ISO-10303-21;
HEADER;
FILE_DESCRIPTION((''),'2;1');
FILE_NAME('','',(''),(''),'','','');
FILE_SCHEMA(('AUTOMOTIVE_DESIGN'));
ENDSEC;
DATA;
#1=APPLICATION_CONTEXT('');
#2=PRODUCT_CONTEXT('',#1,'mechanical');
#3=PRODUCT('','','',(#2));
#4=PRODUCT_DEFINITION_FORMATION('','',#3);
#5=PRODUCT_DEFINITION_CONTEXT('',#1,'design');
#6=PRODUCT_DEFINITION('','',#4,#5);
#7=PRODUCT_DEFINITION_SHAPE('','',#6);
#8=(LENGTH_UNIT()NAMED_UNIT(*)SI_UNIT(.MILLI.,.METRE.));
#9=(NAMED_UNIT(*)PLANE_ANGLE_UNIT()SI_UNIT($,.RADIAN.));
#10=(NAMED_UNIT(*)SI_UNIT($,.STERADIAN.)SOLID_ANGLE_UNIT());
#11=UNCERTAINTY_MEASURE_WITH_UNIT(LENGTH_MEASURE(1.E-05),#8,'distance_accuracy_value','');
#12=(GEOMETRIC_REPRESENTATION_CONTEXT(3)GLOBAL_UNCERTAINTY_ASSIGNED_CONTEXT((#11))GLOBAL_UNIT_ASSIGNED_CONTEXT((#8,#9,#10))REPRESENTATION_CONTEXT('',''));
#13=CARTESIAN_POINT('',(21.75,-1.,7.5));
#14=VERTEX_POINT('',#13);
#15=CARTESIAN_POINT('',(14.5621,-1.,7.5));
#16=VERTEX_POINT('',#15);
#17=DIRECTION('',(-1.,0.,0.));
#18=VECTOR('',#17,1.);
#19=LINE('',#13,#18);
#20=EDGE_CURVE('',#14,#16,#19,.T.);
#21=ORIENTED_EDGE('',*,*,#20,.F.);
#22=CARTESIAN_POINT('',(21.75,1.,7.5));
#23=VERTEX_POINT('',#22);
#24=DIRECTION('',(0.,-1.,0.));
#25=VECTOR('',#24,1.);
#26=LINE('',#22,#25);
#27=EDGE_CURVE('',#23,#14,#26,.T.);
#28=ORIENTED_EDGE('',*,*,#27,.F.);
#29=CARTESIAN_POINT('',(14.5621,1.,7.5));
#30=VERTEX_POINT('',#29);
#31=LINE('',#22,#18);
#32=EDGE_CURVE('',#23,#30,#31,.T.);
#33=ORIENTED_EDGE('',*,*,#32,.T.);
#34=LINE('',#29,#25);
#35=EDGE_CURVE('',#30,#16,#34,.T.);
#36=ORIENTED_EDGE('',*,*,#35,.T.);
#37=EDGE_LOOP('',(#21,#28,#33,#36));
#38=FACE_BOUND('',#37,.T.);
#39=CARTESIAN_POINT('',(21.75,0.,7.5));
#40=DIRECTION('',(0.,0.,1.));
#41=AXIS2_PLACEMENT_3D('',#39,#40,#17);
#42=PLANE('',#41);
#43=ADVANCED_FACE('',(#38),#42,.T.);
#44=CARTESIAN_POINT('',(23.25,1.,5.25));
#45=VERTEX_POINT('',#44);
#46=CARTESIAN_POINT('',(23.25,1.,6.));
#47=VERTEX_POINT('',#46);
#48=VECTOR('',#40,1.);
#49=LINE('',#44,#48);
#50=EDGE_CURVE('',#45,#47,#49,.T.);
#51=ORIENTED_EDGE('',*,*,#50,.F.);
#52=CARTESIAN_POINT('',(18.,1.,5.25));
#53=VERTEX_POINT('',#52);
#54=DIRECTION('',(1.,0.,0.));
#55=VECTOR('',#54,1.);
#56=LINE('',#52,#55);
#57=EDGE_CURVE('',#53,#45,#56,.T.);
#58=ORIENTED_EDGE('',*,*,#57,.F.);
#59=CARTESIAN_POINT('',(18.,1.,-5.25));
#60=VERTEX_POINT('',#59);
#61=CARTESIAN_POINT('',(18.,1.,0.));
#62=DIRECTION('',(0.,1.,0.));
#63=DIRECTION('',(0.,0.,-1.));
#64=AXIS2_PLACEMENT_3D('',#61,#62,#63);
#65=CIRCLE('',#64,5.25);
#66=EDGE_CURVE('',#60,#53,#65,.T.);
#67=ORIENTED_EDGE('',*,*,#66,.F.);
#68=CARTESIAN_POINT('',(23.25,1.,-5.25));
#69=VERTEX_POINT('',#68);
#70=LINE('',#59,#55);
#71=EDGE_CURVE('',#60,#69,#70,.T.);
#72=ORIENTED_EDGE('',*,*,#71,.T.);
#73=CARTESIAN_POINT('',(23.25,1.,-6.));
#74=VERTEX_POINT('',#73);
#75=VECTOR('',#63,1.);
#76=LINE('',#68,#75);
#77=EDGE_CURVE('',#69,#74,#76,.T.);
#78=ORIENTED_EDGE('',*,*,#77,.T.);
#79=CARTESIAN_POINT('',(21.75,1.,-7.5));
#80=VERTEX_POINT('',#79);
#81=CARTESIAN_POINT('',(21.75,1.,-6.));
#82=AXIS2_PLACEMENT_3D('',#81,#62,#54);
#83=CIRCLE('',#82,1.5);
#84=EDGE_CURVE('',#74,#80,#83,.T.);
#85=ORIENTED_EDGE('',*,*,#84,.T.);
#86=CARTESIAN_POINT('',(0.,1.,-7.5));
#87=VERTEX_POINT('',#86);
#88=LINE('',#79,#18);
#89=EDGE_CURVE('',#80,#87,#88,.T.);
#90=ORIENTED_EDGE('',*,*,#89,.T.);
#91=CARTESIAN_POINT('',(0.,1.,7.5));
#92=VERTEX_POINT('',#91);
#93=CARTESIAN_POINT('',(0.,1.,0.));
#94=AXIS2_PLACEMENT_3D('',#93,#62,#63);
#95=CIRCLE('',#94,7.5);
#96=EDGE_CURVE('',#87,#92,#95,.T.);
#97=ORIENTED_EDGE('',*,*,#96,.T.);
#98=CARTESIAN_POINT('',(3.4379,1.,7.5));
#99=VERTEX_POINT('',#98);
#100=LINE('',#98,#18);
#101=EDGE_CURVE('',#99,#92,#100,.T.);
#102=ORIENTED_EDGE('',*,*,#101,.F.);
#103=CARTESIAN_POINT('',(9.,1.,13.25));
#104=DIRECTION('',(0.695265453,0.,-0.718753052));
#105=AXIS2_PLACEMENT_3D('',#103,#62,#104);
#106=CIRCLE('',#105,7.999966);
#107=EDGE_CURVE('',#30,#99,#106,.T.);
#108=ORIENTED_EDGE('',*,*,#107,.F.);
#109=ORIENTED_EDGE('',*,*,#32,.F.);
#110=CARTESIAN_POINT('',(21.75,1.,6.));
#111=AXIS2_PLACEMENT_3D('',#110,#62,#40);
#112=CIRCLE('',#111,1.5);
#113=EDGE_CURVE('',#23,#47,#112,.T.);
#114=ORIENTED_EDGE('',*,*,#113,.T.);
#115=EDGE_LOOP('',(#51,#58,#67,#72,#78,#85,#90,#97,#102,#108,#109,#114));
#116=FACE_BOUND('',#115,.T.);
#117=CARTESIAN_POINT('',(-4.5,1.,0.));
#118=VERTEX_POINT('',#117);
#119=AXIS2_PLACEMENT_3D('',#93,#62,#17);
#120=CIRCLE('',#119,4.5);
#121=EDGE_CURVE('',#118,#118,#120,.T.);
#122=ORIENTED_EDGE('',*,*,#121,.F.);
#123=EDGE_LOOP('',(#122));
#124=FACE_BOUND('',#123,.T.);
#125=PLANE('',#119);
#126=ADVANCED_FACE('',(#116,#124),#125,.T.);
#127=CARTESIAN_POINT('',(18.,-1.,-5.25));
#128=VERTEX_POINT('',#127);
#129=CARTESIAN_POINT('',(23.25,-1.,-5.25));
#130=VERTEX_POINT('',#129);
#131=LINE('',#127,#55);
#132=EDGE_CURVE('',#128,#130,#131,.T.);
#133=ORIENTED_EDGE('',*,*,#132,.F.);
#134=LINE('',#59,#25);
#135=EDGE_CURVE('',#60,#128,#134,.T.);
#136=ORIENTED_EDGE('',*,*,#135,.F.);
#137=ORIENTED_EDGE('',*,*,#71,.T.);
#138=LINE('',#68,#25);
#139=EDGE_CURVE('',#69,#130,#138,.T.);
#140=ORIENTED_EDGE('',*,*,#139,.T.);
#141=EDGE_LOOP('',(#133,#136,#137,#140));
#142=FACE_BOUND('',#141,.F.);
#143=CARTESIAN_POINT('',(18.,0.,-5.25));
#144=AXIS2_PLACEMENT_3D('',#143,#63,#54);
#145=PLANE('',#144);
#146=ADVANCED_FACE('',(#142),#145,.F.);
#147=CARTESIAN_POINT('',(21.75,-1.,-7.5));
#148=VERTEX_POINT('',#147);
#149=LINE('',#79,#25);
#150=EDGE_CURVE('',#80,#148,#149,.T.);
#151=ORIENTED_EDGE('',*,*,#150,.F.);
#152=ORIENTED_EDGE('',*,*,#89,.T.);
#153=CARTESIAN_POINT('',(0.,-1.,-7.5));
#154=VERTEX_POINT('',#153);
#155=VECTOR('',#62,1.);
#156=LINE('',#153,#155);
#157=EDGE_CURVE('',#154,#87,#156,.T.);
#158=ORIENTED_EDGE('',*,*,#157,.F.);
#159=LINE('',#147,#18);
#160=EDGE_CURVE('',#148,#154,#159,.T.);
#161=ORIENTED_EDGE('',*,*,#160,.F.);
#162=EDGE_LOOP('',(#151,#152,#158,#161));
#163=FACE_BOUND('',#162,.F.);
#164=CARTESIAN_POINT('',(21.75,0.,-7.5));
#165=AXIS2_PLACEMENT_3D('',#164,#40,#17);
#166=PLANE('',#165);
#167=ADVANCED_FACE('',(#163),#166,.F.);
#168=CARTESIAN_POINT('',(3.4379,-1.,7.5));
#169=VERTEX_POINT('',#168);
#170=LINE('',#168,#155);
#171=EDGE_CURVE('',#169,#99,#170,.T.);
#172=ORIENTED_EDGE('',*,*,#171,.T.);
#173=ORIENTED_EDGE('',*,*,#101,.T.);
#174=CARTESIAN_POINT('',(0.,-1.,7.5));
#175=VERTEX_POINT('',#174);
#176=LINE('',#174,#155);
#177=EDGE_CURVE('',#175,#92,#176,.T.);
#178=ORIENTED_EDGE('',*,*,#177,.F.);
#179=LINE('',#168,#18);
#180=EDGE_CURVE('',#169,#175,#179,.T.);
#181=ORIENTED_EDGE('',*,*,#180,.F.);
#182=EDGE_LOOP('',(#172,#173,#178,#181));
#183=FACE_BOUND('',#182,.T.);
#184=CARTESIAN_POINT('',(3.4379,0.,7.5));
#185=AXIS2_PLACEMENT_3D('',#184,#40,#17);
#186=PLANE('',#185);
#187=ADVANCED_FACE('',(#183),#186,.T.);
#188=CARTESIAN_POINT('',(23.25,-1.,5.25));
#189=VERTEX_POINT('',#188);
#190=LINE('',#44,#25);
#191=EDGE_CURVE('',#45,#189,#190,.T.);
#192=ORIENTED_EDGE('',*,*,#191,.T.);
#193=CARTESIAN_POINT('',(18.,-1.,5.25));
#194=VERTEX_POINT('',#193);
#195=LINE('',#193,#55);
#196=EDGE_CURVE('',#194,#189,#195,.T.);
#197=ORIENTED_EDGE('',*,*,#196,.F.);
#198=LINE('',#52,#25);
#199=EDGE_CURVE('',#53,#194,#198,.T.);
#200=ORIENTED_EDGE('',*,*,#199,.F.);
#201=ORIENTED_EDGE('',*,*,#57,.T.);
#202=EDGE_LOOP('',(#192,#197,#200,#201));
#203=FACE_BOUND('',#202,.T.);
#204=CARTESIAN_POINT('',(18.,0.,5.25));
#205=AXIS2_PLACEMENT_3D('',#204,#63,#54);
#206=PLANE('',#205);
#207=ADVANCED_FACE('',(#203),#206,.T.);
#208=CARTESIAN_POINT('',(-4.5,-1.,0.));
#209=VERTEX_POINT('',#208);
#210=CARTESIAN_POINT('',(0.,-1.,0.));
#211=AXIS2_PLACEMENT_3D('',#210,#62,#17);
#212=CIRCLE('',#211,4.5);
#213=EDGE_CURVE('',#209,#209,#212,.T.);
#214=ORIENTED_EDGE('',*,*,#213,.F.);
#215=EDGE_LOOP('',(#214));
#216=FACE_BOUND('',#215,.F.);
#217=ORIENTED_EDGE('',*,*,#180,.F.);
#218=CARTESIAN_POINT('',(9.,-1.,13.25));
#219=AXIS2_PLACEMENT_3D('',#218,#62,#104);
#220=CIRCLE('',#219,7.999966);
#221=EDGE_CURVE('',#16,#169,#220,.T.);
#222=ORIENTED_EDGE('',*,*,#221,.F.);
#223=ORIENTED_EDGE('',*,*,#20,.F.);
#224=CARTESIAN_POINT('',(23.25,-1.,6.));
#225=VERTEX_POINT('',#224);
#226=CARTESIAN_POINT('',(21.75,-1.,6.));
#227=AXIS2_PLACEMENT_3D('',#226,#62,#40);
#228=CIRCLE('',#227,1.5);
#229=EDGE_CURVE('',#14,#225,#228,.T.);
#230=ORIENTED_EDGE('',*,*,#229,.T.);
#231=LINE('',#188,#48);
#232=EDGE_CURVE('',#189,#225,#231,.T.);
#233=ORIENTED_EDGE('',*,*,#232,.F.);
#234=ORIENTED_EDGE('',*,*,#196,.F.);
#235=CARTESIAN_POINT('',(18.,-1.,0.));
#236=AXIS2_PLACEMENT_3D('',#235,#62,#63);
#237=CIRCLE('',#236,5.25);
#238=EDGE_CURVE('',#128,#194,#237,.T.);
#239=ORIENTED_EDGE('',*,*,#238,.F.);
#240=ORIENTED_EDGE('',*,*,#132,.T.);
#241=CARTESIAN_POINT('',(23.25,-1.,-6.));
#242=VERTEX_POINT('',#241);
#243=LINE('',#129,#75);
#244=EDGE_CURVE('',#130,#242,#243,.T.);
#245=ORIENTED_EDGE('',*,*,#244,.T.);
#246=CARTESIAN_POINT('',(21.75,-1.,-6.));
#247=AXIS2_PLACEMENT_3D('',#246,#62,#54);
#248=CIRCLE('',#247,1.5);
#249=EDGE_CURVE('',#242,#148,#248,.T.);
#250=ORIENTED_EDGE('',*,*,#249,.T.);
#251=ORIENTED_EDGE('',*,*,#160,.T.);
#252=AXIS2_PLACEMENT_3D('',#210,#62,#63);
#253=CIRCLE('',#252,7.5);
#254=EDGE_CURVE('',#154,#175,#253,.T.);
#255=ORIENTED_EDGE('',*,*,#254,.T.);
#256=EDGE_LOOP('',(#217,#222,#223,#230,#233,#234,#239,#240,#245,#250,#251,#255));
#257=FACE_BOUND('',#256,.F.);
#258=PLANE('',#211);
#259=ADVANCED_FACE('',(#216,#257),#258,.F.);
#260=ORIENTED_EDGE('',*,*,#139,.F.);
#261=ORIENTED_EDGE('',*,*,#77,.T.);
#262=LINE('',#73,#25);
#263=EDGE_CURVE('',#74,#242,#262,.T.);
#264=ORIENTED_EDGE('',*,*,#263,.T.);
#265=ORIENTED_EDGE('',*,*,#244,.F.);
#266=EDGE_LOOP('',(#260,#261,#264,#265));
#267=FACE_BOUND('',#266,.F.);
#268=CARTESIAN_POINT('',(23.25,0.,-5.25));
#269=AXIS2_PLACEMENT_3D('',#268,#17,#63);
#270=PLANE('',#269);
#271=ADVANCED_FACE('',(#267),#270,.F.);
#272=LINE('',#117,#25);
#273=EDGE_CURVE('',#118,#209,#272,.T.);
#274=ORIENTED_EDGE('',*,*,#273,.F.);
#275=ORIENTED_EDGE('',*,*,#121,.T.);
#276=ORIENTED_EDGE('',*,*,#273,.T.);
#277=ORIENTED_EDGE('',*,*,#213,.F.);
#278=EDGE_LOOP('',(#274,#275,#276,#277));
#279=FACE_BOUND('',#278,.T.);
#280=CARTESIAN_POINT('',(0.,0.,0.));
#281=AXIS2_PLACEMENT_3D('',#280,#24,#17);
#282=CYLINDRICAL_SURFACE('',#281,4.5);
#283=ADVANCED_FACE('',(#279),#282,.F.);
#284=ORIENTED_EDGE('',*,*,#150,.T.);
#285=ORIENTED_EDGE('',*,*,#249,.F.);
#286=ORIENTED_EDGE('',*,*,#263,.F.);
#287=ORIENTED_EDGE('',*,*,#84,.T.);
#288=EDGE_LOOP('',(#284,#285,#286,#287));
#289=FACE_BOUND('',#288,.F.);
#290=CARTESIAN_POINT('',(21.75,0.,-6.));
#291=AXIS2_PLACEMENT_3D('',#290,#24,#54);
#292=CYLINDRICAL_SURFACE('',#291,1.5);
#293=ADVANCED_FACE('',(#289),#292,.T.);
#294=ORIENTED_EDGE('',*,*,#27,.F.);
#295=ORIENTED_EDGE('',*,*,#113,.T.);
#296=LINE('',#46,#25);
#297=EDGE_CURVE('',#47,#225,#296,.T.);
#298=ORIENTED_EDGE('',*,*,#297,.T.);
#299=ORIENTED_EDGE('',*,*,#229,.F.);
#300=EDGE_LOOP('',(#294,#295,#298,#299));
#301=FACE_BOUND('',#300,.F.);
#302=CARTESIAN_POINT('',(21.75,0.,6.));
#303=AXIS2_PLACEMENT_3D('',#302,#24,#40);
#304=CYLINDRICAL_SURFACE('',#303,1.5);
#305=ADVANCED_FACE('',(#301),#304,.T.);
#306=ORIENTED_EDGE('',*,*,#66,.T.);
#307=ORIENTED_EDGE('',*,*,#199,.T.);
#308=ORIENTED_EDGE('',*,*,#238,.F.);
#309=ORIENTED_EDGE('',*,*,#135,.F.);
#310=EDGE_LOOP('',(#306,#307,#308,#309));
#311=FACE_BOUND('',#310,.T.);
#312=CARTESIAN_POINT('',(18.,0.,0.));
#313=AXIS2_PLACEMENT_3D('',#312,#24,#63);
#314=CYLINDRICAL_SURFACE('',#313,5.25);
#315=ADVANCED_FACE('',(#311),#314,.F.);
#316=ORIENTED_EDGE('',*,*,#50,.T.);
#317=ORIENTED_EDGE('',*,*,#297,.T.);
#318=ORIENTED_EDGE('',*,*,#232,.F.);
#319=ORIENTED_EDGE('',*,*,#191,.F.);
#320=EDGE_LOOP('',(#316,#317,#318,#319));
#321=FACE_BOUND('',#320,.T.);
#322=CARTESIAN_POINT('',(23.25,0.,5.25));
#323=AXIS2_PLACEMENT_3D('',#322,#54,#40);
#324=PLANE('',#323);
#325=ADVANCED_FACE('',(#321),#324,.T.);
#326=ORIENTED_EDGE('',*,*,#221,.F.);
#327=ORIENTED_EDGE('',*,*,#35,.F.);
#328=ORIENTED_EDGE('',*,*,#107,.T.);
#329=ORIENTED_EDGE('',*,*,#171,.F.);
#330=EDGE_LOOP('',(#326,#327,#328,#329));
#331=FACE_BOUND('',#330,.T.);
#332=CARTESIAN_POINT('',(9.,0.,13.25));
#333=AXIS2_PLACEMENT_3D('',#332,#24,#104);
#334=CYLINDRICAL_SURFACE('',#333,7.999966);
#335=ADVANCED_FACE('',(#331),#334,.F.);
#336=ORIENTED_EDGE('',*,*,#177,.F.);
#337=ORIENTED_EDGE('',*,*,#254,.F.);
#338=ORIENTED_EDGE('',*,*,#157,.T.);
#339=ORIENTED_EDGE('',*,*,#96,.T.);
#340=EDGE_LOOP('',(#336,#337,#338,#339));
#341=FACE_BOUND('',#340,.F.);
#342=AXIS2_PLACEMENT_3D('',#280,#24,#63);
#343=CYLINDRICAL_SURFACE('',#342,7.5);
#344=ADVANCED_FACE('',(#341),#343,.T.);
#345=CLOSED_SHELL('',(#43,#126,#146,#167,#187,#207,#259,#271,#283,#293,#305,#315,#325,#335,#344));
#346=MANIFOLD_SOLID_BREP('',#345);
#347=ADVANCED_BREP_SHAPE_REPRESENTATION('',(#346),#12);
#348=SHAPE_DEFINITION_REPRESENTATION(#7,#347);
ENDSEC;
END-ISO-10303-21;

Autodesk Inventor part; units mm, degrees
ref_plane "YZ Plane" through (0, 0, 0) normal (1, 0, 0) x (0, 1, 0)
ref_plane "XZ Plane" through (0, 0, 0) normal (0, 1, 0) x (-1, 0, 0)
ref_plane "XY Plane" through (0, 0, 0) normal (0, 0, 1) x (1, 0, 0)
sketch "Skizze1" plane through (0, 0, 0) normal (0, 1, 0) x (-1, 0, 0)
  arc A0 (0, -7.5) -> (0, 7.5) centre (0, 0) ccw
  arc A1 (-18, -5.25) -> (-18, 5.25) centre (-18, 0) ccw
  line L0 (0, 7.5) -> (0, -7.5) construction
  line L1 (-18, 5.25) -> (-18, -5.25) construction
  line L2 (-18, 5.25) -> (-23.25, 5.25)
  line L3 (-18, -5.25) -> (-23.25, -5.25)
  line L4 (-23.25, 5.25) -> (-23.25, 6)
  line L5 (-23.25, -5.25) -> (-23.25, -6)
  line L6 (-21.75, -7.5) -> (0, -7.5)
  arc A2 (-21.75, 7.5) -> (-23.25, 6) centre (-21.75, 6) ccw
  arc A3 (-23.25, -6) -> (-21.75, -7.5) centre (-21.75, -6) ccw
  circle A4 centre (-18, 0) radius 5.25 construction
  circle A5 centre (0, 0) radius 4.5
  arc A6 (-14.5621, 7.5) -> (-3.4379, 7.5) centre (-9, 13.25) ccw
  line L7 (-21.75, 7.5) -> (-14.5621, 7.5)
  line L8 (-3.4379, 7.5) -> (0, 7.5)
  point P0 (-23.25, 0)
  point P1 (-9, 5.25)
  dimension "d4" = 10.5
  dimension "d0" = 15
  dimension "d1" = 10.5
  dimension "d2" = 18
  dimension "d3" = 1.5
  dimension "d5" = 9
  dimension "d8" = 8
  dimension "d9" = 9
extrude "Extrusion1" add sketch "Skizze1" along normal mid plane 2
properties part number "205 part 3" material "Gold"
